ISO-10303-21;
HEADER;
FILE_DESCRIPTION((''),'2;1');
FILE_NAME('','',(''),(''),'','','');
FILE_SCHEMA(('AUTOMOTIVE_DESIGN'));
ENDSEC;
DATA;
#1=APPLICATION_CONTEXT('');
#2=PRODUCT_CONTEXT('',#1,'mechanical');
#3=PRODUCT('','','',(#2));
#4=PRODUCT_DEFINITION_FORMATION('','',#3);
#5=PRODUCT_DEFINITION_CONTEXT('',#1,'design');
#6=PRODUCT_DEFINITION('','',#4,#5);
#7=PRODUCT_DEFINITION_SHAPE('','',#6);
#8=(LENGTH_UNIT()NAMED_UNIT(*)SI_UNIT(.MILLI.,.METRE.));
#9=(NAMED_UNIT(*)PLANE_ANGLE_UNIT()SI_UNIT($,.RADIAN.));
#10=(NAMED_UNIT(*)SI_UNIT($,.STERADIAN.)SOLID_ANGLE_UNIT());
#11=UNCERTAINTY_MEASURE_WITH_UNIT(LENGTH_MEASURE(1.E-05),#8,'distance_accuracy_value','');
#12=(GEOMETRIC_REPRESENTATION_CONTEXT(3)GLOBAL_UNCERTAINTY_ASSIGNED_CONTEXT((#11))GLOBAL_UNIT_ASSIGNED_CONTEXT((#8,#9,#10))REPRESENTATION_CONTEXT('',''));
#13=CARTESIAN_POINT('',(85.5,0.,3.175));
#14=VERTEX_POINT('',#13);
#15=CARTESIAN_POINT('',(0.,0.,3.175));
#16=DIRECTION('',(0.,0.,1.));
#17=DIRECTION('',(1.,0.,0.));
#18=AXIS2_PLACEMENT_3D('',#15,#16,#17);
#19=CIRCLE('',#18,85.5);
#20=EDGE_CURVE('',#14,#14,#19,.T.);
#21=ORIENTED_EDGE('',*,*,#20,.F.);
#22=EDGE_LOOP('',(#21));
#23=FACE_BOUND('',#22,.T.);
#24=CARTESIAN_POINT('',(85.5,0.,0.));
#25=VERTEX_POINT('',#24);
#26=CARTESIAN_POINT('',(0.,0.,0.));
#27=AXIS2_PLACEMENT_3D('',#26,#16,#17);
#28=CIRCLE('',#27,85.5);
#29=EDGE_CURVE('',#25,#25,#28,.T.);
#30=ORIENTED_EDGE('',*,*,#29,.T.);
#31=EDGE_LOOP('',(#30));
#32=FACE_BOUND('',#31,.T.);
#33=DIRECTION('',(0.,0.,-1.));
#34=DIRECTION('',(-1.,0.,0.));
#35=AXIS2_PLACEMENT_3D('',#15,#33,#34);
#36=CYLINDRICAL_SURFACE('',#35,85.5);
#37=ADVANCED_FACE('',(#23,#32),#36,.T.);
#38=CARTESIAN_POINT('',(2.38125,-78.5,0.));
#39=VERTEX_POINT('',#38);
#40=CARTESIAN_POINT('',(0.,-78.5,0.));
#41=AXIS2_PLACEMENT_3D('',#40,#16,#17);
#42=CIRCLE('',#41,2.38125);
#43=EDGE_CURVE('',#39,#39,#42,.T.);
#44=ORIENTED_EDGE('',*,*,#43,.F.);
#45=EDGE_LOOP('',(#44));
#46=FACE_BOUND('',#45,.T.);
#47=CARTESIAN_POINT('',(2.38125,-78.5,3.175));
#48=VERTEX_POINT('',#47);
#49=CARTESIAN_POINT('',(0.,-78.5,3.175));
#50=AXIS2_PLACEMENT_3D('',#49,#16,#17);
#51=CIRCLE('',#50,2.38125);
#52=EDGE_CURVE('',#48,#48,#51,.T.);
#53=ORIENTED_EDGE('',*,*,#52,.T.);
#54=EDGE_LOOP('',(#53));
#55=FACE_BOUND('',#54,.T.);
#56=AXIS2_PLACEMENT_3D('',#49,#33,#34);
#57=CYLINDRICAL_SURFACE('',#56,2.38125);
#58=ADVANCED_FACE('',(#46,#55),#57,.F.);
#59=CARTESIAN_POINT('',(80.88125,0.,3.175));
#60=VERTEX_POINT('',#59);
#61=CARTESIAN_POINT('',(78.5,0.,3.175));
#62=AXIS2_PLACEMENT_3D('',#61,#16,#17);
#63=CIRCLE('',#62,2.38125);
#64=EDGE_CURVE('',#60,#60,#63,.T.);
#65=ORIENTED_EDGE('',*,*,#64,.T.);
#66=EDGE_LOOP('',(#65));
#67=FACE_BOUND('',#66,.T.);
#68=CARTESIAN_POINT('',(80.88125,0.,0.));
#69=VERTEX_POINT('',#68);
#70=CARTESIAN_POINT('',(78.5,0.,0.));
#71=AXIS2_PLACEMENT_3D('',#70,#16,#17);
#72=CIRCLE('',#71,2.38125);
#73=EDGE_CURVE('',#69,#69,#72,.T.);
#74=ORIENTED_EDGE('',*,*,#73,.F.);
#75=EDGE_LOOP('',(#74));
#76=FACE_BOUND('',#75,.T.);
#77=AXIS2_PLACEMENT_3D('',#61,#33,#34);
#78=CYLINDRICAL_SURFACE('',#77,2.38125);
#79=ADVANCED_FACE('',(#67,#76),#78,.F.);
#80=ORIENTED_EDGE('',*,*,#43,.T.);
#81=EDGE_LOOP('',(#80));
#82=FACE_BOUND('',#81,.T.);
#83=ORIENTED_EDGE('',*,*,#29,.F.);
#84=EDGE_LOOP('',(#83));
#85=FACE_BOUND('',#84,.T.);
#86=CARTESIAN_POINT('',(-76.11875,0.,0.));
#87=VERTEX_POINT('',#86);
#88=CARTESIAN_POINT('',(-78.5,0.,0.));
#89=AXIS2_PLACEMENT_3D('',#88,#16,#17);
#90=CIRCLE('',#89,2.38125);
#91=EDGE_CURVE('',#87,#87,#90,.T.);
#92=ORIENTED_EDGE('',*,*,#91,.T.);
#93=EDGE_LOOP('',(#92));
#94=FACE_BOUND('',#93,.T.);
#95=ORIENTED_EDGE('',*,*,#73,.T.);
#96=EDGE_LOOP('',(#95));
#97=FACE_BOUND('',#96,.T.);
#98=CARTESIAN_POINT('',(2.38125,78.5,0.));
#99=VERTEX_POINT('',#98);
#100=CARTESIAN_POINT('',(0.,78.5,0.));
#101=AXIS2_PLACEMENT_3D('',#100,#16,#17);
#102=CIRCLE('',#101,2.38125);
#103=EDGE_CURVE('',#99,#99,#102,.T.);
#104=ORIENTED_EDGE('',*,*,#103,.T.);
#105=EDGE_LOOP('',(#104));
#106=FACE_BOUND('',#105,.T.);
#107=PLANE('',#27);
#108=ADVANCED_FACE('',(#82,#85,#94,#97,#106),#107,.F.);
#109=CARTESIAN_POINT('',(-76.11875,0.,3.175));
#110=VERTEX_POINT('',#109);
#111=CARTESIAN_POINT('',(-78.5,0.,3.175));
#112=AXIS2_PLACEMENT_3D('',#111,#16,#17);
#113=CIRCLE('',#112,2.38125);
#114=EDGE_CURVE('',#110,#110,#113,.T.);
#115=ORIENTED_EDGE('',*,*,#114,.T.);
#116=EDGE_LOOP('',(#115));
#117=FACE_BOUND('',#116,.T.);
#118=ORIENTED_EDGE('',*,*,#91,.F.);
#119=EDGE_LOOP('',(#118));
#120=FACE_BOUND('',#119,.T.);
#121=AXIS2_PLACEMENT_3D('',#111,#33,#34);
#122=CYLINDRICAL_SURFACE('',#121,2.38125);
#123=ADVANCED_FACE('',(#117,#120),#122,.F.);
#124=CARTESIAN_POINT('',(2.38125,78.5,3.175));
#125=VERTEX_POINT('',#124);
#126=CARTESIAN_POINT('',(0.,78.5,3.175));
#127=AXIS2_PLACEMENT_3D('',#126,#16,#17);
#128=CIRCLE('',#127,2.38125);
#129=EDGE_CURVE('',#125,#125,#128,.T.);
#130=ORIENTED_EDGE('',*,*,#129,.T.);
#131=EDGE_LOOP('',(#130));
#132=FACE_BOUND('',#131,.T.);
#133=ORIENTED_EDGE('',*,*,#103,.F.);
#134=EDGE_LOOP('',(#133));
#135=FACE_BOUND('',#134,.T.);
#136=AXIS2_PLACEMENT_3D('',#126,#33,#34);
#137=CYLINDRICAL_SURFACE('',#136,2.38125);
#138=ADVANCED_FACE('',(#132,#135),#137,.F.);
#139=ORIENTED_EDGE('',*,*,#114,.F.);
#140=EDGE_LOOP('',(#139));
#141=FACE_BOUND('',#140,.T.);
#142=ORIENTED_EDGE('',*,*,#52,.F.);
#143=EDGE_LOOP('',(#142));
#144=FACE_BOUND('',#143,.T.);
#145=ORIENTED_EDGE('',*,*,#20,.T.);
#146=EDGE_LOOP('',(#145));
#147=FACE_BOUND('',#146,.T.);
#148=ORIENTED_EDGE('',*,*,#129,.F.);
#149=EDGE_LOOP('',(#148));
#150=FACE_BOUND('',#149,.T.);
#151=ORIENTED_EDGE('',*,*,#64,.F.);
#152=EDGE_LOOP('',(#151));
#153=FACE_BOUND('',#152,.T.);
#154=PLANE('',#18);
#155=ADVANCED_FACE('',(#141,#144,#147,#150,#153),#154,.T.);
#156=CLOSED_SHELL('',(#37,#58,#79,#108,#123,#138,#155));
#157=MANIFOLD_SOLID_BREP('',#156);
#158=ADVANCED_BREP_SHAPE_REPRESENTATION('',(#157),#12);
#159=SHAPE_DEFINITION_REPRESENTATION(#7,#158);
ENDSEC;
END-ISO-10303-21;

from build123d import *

# Parameters (mm, degrees)
SKETCH1_R           = 85.5
SKETCH1_R_2         = 2.38125
BOSS_EXTRUDE1_DEPTH = 3.175


with BuildPart() as part:
    # Sketch1 → Boss-Extrude1 (new body)
    with BuildSketch(Plane.XY):
        Circle(SKETCH1_R)
        with Locations((-78.5, 0)):
            Circle(SKETCH1_R_2, mode=Mode.SUBTRACT)
        with Locations((0, -78.5)):
            Circle(SKETCH1_R_2, mode=Mode.SUBTRACT)
        with Locations((78.5, 0)):
            Circle(SKETCH1_R_2, mode=Mode.SUBTRACT)
        with Locations((0, 78.5)):
            Circle(SKETCH1_R_2, mode=Mode.SUBTRACT)
    extrude(amount=BOSS_EXTRUDE1_DEPTH)


solid = part.part
